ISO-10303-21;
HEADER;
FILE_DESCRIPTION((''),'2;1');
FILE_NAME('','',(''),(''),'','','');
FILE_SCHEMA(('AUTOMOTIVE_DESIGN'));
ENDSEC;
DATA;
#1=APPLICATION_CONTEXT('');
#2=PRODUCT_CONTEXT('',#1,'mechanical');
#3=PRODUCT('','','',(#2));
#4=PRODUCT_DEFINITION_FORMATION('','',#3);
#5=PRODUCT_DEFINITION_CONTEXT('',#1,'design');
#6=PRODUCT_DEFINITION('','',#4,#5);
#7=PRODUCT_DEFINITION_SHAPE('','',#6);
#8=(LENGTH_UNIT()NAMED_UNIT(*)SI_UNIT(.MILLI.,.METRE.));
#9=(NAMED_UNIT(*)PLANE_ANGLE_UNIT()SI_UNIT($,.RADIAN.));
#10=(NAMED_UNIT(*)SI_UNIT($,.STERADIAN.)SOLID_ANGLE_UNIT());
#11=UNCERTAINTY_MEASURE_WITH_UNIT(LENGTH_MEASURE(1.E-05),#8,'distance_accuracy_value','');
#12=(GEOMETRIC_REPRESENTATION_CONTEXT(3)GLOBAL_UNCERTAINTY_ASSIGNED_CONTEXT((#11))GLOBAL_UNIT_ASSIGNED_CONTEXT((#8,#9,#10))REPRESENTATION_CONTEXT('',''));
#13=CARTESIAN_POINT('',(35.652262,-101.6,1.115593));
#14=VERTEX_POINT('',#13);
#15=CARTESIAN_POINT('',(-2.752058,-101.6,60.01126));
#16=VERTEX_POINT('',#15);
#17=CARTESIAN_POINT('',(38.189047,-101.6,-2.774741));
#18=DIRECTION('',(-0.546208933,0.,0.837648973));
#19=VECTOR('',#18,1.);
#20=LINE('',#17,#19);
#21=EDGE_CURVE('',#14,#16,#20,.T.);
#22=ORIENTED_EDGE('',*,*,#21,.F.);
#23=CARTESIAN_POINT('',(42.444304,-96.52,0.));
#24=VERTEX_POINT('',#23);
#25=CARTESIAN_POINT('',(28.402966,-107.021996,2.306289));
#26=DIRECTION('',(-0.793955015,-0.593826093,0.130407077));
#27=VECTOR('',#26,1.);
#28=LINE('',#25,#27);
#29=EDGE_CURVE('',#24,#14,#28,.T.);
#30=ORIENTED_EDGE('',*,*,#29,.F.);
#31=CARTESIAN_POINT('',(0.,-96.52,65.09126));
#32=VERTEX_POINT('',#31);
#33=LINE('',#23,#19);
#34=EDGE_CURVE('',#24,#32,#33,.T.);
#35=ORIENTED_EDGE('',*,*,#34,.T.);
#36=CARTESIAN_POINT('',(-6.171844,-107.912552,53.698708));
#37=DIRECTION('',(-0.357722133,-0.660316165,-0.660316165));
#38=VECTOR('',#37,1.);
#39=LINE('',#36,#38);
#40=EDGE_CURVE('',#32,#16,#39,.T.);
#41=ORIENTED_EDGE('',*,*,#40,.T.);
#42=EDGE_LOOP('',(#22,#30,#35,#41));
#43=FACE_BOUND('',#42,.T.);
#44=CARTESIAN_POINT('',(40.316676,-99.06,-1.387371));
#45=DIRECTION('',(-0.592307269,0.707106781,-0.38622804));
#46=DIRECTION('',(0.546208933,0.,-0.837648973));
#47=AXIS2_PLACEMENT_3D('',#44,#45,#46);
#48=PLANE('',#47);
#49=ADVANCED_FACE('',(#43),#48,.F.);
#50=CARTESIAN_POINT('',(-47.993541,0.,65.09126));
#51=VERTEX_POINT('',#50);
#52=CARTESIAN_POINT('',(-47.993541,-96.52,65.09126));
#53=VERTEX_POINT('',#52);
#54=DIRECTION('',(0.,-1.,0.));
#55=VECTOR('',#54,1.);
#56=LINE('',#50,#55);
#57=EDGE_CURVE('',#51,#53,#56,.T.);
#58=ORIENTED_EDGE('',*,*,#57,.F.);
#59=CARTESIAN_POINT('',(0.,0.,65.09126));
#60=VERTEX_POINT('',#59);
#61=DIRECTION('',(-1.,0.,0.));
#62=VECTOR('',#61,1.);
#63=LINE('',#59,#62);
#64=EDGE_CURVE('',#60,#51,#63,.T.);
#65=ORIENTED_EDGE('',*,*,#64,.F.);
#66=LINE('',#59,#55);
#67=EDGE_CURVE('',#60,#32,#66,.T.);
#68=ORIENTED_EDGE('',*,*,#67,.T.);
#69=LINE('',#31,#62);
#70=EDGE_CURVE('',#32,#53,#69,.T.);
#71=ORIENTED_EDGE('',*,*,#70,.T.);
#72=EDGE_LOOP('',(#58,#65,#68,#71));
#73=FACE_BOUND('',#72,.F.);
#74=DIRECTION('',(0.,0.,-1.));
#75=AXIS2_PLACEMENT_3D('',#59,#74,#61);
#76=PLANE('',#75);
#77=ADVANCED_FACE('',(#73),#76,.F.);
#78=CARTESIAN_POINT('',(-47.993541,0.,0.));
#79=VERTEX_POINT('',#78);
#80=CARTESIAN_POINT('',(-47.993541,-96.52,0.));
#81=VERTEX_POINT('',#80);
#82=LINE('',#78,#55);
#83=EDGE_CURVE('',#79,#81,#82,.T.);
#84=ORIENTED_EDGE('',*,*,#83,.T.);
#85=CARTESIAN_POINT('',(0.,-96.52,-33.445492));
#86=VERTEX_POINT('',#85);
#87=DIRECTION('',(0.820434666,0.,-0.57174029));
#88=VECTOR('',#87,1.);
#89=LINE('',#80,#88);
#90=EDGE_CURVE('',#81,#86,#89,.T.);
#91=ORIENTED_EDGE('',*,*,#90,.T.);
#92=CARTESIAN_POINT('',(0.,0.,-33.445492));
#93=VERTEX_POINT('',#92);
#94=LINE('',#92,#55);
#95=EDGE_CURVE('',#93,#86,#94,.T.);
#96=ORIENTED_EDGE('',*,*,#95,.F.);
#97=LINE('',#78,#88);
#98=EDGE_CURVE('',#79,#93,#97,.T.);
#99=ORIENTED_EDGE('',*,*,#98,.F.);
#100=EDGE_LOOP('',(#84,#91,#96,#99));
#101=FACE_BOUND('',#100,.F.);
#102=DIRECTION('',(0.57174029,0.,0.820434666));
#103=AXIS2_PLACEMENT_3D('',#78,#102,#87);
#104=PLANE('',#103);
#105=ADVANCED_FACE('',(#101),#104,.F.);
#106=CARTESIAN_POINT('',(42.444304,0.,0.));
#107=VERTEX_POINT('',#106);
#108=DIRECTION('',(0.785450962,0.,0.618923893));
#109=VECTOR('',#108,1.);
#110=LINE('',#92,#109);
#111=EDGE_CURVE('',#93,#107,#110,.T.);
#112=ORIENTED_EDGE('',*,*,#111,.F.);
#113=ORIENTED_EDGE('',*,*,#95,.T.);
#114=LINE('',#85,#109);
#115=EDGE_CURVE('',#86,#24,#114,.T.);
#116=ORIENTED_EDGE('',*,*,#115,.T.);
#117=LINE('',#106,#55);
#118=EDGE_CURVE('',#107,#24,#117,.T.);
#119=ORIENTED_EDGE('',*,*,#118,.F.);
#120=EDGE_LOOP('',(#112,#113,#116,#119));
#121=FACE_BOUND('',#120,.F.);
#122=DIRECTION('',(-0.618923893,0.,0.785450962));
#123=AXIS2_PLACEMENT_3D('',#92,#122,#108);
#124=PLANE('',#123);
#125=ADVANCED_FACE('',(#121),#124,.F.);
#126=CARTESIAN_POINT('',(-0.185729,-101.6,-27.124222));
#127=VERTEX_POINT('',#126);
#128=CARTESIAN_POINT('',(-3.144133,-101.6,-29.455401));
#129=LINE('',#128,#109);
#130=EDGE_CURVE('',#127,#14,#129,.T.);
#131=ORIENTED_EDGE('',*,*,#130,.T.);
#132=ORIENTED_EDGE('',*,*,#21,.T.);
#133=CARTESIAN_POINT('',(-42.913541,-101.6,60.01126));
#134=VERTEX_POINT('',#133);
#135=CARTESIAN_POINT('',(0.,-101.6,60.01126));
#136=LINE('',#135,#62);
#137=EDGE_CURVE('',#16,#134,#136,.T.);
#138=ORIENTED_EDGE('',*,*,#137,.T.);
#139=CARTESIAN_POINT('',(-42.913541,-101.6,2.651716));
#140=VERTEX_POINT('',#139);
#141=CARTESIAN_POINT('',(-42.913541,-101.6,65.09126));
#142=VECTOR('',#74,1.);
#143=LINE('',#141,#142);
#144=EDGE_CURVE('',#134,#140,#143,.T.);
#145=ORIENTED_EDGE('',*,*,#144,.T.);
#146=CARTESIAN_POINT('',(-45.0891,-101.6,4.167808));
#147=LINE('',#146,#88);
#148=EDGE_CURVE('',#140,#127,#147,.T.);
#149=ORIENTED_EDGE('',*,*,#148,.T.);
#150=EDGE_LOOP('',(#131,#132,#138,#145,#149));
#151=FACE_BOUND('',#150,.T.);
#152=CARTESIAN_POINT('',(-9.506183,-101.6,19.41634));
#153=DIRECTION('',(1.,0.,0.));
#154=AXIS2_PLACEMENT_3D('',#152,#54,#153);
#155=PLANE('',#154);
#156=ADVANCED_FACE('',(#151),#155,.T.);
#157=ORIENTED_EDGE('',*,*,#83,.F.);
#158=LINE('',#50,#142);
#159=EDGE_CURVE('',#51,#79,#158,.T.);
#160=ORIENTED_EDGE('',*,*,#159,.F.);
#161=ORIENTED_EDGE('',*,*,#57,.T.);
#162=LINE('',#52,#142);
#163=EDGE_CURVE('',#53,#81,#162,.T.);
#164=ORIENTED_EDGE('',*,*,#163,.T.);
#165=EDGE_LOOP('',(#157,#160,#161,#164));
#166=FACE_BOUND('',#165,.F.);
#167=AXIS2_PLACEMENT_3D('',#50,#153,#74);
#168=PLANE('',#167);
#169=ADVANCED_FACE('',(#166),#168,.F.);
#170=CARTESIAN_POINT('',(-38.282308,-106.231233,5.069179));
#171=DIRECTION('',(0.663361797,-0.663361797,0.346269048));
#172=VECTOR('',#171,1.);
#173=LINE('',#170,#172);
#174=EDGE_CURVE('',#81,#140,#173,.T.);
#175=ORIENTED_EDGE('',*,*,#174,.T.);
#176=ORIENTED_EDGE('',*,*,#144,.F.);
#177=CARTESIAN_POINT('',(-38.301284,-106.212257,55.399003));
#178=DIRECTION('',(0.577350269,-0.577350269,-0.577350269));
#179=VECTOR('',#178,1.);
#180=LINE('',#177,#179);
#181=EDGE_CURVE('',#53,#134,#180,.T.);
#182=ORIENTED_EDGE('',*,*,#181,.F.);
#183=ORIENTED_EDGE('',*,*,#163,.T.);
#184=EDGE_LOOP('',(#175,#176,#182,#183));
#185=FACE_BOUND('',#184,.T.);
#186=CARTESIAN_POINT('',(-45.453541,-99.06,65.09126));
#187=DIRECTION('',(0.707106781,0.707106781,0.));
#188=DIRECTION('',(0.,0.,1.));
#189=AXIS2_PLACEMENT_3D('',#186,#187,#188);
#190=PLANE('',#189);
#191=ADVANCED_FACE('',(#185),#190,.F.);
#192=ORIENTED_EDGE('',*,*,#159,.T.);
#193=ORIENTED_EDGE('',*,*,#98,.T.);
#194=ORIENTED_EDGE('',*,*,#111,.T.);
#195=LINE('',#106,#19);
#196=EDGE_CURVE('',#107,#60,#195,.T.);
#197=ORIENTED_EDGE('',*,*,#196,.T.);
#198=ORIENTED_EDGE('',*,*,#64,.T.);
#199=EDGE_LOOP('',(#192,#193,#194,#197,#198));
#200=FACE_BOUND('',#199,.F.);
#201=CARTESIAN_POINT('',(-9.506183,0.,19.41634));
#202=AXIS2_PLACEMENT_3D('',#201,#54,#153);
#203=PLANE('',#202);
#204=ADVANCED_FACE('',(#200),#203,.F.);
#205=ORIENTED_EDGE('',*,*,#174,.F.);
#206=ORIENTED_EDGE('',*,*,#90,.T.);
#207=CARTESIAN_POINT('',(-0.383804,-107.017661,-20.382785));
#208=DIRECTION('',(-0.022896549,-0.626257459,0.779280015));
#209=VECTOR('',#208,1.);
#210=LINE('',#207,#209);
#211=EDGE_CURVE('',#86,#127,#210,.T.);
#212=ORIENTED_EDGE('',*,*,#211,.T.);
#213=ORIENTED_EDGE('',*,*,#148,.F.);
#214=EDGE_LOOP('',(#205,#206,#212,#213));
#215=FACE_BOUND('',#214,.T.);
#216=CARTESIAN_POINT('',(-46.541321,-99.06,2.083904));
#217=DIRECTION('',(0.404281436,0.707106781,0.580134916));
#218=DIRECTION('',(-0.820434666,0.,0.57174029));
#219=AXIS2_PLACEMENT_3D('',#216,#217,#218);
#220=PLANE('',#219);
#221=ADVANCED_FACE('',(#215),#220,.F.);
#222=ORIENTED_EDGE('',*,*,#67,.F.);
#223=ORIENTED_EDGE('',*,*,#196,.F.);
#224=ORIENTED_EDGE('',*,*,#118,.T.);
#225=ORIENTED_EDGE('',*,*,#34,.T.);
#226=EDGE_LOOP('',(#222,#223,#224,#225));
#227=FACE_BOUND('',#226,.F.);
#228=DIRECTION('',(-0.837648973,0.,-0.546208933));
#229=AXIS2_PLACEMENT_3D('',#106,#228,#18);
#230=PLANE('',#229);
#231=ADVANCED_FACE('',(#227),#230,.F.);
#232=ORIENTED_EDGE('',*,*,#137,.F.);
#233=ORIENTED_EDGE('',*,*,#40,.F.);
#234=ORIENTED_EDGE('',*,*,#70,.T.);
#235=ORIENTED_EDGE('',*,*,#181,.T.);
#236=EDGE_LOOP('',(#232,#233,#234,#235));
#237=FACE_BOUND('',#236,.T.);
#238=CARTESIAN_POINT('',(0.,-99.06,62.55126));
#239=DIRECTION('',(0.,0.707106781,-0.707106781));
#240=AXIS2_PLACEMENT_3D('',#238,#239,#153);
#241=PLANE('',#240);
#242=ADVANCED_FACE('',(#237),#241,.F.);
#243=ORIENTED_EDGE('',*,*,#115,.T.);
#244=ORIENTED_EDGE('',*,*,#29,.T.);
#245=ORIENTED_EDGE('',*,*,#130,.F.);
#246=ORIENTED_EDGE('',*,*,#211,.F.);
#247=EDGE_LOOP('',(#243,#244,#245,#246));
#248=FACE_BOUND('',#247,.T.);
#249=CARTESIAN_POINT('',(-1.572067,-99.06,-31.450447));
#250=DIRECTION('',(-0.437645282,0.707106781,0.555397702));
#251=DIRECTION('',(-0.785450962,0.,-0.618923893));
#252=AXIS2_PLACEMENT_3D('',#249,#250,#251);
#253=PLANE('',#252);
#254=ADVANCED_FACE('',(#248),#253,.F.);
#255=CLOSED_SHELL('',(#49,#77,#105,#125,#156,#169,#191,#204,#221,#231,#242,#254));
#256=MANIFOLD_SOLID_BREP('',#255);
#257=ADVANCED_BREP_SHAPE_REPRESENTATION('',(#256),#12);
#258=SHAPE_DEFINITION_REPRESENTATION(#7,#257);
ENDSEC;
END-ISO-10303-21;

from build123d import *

# Parameters (mm, degrees)
F1_DEPTH = 101.6
F2_SIZE  = 5.08


with BuildPart() as f1:
    # F0 (on Front) → F1 (new body)
    with BuildSketch(Plane.XZ):
        Polygon((0, 65.09126), (-47.993541, 65.09126), (-47.993541, 0), (0, -33.445492), (42.444304, 0), align=None)
    extrude(amount=F1_DEPTH)

    # F2
    f2_edges = [f1.edges().sort_by_distance(p)[0] for p in [
        (21.222152, -101.6, 32.54563),
        (-23.99677, -101.6, 65.09126),
        (-47.993541, -101.6, 32.54563),
        (-23.99677, -101.6, -16.722746),
        (21.222152, -101.6, -16.722746),
    ]]
    chamfer(f2_edges, length=F2_SIZE)


solid = f1.part
